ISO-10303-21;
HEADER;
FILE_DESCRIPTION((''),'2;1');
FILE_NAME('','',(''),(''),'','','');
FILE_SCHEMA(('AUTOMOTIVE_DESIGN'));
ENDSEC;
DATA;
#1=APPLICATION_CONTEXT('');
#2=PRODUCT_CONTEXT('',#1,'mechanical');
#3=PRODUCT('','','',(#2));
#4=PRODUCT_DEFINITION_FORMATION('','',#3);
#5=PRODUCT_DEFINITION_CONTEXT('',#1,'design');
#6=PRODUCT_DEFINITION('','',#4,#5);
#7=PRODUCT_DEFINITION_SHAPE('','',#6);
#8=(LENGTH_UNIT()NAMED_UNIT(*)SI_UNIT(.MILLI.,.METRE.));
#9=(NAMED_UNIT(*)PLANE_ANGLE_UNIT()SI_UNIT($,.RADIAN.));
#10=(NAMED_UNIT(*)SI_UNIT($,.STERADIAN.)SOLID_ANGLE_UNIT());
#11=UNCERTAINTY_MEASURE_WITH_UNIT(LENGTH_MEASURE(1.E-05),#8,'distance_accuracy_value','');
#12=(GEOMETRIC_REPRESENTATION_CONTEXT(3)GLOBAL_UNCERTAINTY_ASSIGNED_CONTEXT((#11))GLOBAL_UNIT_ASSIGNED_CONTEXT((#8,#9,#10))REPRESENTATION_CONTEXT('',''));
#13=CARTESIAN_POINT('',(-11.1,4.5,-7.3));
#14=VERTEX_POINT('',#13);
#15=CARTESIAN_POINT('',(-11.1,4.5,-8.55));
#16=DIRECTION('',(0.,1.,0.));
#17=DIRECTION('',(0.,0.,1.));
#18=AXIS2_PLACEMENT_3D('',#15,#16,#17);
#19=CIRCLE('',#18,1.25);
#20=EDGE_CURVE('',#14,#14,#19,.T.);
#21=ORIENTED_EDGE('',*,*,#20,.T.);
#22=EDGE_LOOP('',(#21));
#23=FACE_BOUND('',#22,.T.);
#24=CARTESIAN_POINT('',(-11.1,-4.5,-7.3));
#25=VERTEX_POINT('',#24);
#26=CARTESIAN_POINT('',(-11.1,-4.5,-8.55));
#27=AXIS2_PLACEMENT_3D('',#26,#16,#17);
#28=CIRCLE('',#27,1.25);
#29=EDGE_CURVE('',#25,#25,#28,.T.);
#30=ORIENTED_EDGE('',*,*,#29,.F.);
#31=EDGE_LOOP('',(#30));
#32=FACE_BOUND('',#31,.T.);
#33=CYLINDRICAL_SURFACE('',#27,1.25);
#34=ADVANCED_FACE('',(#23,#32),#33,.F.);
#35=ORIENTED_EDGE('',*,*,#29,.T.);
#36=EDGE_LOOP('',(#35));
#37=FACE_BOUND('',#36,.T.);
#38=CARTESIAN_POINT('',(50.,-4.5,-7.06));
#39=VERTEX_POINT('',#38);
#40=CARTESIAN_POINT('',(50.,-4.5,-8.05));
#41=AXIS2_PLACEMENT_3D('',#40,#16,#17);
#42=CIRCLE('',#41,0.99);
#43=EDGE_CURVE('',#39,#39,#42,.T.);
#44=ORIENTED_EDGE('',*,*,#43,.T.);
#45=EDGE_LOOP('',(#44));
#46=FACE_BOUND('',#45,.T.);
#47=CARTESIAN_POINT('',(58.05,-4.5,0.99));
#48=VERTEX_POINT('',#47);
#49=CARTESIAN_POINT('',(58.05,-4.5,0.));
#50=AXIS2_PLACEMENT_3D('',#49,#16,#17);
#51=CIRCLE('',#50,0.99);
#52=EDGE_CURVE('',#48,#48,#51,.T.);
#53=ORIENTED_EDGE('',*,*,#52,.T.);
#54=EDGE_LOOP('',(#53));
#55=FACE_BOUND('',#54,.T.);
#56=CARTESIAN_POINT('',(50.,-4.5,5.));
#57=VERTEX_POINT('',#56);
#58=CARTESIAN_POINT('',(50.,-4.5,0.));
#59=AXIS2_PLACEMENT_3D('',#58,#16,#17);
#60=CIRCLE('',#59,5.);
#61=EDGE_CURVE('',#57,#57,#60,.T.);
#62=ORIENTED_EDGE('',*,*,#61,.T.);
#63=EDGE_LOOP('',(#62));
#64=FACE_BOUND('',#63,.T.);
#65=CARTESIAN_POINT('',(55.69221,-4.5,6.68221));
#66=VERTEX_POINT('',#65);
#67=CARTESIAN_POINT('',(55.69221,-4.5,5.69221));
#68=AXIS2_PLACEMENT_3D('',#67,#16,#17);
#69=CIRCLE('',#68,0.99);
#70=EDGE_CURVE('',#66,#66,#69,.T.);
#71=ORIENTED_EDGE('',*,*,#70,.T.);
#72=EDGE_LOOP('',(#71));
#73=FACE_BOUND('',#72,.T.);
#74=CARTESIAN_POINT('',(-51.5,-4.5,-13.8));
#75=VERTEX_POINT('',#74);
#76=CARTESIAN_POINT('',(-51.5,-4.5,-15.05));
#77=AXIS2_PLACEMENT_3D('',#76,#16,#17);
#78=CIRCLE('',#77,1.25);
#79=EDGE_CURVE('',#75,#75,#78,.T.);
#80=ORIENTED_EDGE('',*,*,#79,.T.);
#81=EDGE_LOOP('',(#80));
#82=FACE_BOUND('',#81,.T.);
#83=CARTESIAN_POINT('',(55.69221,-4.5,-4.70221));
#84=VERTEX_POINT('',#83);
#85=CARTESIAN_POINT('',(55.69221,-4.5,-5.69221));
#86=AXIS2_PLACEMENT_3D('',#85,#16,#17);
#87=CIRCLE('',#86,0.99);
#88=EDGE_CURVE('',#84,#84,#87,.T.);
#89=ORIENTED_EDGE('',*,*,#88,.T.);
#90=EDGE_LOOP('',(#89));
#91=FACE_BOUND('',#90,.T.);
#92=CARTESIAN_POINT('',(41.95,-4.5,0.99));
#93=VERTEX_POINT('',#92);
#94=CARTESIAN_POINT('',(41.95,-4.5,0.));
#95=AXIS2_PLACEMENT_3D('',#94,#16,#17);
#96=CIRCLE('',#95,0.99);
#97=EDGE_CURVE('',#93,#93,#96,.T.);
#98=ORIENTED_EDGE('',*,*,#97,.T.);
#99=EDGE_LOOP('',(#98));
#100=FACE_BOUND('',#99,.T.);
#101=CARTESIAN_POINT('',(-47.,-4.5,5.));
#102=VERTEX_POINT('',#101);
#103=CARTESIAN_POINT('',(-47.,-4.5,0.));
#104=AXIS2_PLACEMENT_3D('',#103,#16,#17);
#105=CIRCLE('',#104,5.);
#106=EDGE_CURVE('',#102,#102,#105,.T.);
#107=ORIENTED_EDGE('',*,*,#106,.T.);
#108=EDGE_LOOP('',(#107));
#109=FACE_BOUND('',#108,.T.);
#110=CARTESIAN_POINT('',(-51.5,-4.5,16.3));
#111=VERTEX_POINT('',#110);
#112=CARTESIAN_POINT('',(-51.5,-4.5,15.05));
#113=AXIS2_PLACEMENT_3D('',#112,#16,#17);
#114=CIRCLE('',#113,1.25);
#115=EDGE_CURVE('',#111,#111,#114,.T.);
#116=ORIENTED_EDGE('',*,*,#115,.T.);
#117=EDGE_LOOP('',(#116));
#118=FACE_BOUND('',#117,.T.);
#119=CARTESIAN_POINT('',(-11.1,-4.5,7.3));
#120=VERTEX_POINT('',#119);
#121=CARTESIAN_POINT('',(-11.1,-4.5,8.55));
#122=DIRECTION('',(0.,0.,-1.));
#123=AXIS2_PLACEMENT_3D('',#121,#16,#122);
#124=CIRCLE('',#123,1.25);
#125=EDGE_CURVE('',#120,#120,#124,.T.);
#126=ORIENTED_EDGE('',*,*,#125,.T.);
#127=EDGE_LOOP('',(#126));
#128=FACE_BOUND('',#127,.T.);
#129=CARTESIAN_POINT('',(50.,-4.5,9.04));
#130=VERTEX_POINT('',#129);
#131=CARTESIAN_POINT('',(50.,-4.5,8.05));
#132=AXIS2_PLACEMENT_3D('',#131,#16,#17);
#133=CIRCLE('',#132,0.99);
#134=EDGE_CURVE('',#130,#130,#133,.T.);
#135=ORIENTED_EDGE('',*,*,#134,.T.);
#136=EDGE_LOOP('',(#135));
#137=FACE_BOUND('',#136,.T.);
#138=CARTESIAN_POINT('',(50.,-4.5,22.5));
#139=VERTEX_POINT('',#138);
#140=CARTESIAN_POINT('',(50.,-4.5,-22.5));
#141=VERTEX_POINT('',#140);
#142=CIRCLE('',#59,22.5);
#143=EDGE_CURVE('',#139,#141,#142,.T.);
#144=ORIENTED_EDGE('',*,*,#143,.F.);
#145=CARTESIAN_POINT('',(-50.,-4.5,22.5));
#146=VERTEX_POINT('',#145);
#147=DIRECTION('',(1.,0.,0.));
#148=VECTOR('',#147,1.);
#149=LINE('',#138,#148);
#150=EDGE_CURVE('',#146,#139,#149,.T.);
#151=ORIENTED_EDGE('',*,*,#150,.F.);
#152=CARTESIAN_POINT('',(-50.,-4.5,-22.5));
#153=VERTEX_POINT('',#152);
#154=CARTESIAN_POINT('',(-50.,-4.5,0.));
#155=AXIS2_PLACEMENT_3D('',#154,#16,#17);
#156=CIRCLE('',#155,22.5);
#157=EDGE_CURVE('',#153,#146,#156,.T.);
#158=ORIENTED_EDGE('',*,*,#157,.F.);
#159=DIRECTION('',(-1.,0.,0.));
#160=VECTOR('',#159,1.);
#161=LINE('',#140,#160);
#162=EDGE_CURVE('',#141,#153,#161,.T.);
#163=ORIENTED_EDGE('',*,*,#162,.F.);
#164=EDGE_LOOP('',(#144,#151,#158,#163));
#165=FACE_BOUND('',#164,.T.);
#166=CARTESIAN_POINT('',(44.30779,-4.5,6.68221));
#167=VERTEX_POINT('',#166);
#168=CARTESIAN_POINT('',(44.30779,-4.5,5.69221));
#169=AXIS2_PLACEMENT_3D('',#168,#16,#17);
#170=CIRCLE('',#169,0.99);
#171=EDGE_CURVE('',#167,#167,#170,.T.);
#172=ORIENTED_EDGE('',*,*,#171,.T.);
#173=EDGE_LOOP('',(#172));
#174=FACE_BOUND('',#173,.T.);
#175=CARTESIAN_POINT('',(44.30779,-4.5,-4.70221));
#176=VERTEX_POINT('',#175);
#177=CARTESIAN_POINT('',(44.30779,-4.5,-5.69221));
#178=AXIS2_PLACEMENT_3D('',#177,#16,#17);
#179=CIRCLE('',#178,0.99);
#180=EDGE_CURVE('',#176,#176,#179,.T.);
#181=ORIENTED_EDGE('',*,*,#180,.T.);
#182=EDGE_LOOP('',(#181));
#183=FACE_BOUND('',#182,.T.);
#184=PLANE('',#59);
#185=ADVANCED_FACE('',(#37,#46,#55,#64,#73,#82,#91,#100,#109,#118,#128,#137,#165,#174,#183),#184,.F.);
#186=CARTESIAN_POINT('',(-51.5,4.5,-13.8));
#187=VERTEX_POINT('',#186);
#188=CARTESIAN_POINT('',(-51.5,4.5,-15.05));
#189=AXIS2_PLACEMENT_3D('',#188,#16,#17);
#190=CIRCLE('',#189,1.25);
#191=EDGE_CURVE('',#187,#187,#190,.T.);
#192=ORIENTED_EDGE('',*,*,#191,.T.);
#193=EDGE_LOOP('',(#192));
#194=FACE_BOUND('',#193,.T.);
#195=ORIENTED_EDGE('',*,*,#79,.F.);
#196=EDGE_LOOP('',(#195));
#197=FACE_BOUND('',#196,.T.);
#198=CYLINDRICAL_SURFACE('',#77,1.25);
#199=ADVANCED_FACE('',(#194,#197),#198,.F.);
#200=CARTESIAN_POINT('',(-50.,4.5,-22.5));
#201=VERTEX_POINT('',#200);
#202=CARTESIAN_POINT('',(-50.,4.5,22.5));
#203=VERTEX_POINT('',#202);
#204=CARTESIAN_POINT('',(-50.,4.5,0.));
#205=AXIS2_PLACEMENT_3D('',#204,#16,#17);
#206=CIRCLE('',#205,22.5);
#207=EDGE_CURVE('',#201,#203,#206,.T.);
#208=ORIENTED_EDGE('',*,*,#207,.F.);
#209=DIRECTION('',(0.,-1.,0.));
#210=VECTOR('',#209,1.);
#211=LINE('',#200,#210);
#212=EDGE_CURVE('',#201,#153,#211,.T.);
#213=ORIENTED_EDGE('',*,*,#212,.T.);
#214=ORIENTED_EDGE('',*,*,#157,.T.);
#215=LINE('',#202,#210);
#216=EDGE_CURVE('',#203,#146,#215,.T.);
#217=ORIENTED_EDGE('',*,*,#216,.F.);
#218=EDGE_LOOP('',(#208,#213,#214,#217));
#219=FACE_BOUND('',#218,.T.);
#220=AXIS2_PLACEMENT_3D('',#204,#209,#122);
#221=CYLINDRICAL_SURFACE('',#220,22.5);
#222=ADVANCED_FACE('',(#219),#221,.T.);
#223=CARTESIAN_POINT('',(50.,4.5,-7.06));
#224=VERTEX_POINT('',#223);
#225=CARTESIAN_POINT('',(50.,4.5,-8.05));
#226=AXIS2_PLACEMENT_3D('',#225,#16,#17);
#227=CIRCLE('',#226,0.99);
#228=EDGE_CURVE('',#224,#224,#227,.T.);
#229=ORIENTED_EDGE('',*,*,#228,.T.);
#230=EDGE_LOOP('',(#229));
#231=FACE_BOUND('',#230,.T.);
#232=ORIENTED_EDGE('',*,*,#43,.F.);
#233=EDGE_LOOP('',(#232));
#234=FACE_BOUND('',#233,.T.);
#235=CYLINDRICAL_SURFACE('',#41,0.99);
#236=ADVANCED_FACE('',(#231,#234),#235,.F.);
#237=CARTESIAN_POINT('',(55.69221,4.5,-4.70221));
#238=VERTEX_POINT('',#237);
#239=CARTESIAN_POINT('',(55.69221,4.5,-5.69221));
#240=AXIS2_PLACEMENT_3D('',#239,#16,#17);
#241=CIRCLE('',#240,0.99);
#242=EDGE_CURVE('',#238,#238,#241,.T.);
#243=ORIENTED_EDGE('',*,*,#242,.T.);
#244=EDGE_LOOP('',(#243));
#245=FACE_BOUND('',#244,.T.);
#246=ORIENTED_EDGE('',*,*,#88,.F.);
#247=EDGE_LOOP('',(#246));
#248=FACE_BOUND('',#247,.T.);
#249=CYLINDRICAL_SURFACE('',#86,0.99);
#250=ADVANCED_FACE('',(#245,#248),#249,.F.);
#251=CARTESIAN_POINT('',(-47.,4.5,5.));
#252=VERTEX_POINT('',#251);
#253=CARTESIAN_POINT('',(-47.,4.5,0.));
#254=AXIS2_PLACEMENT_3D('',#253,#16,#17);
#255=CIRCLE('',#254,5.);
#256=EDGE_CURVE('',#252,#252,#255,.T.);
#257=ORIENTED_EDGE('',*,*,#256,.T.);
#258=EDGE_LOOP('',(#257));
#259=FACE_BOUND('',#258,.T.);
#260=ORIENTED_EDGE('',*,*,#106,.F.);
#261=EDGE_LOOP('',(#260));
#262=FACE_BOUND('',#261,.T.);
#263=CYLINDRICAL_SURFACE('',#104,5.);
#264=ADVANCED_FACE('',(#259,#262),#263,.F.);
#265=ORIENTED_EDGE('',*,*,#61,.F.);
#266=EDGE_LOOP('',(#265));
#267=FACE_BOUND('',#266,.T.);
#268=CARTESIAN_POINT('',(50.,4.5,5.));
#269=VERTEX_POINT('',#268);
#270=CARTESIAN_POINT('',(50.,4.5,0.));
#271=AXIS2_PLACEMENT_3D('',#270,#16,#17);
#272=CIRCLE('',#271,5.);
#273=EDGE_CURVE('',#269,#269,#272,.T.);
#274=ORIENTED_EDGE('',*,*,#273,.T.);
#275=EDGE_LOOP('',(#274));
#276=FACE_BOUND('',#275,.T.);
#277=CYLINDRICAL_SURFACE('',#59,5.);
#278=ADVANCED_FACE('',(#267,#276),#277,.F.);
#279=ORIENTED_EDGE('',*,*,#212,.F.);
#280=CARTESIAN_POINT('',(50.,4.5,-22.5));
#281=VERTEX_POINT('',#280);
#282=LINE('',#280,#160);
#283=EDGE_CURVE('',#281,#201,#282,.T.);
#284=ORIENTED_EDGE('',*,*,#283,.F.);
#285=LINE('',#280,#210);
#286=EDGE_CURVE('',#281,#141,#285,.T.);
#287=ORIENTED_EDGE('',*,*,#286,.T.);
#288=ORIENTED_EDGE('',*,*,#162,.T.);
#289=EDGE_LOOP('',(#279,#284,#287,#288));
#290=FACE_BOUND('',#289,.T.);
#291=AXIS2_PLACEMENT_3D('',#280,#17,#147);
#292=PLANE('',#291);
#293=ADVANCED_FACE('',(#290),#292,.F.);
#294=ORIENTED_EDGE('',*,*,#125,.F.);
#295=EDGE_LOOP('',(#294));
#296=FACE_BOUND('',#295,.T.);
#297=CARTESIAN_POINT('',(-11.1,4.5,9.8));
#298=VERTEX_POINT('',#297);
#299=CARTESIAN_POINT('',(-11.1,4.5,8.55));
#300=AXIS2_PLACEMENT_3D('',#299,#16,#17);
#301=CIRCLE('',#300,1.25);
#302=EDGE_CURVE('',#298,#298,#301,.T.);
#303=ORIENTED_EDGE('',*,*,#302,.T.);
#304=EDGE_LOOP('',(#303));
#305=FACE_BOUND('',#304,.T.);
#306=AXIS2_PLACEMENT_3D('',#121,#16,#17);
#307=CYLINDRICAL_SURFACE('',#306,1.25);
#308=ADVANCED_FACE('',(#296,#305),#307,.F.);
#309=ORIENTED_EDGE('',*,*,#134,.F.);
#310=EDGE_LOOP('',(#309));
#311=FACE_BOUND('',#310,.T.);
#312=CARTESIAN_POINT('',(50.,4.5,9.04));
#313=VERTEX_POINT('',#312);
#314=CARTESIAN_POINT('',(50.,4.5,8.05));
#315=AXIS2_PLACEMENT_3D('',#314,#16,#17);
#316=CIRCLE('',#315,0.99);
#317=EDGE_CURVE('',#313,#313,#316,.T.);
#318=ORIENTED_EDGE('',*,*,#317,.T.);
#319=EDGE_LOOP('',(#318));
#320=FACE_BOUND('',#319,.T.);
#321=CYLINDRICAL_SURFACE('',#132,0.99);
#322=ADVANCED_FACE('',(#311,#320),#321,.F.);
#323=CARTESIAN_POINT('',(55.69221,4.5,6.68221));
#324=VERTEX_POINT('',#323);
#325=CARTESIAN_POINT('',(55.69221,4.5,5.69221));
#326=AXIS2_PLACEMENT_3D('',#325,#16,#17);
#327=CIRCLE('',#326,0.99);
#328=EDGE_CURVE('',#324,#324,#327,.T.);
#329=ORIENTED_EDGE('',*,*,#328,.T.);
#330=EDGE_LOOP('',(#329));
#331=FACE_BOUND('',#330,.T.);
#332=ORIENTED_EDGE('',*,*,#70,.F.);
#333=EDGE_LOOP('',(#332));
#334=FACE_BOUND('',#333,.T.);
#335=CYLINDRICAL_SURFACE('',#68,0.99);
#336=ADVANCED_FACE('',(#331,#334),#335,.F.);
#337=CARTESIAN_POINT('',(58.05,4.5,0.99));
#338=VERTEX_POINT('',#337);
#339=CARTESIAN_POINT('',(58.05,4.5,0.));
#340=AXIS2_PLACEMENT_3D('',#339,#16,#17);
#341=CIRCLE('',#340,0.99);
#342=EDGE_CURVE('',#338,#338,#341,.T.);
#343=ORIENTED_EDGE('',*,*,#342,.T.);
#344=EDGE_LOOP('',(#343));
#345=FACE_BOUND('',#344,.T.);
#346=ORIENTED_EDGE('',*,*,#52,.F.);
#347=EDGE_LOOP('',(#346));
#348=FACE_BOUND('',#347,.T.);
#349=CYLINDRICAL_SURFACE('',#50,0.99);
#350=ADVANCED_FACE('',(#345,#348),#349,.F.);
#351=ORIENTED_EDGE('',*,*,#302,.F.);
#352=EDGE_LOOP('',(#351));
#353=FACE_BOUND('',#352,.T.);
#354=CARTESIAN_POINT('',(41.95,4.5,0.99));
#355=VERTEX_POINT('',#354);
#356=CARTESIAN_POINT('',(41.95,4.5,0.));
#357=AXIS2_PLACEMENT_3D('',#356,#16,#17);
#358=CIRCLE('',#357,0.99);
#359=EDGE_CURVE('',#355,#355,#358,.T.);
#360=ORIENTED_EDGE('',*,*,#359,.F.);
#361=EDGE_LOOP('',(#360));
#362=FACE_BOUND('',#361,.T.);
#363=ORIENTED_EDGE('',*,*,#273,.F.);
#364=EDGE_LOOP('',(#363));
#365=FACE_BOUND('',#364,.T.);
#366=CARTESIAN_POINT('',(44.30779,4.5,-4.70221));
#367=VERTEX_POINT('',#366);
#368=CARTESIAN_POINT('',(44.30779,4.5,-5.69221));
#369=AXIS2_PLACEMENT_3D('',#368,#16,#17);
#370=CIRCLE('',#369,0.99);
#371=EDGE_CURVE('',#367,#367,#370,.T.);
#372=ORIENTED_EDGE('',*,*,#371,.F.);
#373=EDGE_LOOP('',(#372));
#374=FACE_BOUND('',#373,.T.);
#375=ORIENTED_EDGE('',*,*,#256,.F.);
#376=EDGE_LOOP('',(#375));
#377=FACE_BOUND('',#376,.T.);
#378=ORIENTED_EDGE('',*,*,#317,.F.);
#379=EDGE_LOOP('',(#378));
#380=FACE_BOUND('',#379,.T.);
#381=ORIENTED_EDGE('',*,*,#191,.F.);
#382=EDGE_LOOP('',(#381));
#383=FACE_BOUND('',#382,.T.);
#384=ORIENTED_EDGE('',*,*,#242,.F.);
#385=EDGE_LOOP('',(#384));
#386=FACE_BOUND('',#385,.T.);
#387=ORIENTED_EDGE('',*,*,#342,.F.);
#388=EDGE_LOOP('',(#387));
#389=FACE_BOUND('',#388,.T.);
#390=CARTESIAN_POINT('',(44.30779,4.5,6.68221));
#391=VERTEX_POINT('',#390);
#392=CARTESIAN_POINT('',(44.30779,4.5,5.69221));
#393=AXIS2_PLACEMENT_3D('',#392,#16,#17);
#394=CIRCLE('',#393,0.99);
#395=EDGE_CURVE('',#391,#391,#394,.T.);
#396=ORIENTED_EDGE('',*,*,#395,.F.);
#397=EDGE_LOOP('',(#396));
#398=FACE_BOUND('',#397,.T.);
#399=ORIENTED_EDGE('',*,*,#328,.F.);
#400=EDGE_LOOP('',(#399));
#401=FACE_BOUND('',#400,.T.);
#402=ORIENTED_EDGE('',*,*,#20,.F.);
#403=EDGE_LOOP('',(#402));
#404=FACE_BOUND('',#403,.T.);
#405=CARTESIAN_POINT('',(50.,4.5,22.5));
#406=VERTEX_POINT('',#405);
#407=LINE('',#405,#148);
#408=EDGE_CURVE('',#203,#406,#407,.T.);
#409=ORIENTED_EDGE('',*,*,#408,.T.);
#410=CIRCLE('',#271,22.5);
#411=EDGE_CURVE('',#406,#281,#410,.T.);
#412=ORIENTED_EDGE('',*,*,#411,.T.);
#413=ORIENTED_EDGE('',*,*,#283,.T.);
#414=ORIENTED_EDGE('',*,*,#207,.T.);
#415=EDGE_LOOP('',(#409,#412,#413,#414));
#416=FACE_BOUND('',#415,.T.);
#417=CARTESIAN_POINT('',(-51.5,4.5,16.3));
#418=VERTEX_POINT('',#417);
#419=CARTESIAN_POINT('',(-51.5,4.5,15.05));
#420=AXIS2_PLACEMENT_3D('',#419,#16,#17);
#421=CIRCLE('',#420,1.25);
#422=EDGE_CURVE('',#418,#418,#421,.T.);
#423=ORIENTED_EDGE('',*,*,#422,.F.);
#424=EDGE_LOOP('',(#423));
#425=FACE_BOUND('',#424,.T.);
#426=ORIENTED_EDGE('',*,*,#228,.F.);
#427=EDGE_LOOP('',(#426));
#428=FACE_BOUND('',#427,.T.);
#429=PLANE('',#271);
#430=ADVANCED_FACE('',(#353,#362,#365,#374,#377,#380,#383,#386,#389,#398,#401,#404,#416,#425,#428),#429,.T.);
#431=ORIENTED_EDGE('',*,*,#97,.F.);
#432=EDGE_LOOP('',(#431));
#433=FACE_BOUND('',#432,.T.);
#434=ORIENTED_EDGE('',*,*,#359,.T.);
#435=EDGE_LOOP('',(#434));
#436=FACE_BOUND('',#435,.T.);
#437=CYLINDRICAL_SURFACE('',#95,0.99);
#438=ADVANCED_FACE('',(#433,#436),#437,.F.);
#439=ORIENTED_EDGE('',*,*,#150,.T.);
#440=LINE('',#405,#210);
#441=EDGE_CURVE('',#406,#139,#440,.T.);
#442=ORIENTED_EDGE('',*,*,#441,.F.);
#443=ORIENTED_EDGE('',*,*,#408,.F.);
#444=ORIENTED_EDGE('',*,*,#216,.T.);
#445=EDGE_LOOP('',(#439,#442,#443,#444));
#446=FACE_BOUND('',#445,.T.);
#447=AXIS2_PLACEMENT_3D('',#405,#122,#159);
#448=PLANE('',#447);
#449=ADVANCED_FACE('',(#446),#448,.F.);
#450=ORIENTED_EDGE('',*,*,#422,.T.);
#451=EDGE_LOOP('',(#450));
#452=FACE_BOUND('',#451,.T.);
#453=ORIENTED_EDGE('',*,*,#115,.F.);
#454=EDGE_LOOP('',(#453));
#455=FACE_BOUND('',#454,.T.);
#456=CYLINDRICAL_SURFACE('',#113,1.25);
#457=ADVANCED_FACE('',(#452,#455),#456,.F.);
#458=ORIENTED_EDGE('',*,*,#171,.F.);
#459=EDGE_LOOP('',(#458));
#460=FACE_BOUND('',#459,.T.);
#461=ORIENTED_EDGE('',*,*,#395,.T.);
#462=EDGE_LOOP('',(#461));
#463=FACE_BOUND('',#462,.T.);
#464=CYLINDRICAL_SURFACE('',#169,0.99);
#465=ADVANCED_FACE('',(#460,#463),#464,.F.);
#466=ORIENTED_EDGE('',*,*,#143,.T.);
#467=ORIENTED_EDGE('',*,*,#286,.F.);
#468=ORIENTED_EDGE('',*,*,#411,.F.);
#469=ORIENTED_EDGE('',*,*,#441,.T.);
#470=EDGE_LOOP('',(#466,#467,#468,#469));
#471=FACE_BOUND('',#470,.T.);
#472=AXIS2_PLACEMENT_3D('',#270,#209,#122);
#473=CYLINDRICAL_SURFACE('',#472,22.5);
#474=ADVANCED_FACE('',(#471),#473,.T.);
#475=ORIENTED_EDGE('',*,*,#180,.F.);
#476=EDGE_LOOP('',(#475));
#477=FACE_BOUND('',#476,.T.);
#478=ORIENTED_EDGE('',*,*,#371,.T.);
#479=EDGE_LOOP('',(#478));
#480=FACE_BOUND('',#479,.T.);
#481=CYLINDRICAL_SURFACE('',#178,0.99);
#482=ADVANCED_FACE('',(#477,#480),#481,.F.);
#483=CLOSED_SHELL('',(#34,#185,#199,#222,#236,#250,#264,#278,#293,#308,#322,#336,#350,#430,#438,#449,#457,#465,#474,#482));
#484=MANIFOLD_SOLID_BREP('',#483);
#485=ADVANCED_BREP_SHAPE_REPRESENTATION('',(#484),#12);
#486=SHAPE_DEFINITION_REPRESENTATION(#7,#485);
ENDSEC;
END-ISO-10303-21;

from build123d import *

# Parameters (mm, degrees)
BOSS_EXTRUDE1_DEPTH     = 4.5
CUT_EXTRUDE1_DEPTH      = 77.442789065
CUT_EXTRUDE1_DEPTH_BACK = 77.442789065
SKETCH3_R               = 0.99
SKETCH4_R               = 5
CUT_EXTRUDE2_DEPTH      = 77.442789065
CUT_EXTRUDE3_DEPTH      = 77.442789065
CUT_EXTRUDE3_DEPTH_BACK = 77.442789065
SKETCH5_R               = 1.25
SKETCH5_R_2             = 5


with BuildPart() as part:
    # Sketch2 → Boss-Extrude1 (new, symmetric)
    with BuildSketch(Plane(origin=(0, 0, 0), x_dir=(1, 0, 0), z_dir=(0, 1, 0))):
        with BuildLine():
            Line((50, -22.5), (-50, -22.5))
            ThreePointArc((-50, -22.5), (-72.5, 0), (-50, 22.5))
            Line((-50, 22.5), (50, 22.5))
            ThreePointArc((50, 22.5), (72.5, 0), (50, -22.5))
        make_face()
    extrude(amount=BOSS_EXTRUDE1_DEPTH, both=True)

    # Sketch3 → Cut-Extrude1 (cut, two sides: drawn at the far end of the back side and taken through both)
    with BuildSketch(Plane(origin=(0, 4.5, 0), x_dir=(1, 0, 0), z_dir=(0, 1, 0)).offset(-CUT_EXTRUDE1_DEPTH_BACK)):
        with Locations(Location((41.95, 0, 0), (0, 0, 270))):
            Circle(SKETCH3_R)
        with Locations(Location((44.307790411, 5.692209589, 0), (0, 0, 270))):
            Circle(SKETCH3_R)
        with Locations(Location((50, 8.05, 0), (0, 0, 270))):
            Circle(SKETCH3_R)
        with Locations(Location((55.692209589, 5.692209589, 0), (0, 0, 270))):
            Circle(SKETCH3_R)
        with Locations(Location((58.05, 0, 0), (0, 0, 270))):
            Circle(SKETCH3_R)
        with Locations(Location((55.692209589, -5.692209589, 0), (0, 0, 270))):
            Circle(SKETCH3_R)
        with Locations(Location((50, -8.05, 0), (0, 0, 270))):
            Circle(SKETCH3_R)
        with Locations(Location((44.307790411, -5.692209589, 0), (0, 0, 270))):
            Circle(SKETCH3_R)
    extrude(amount=CUT_EXTRUDE1_DEPTH + CUT_EXTRUDE1_DEPTH_BACK, mode=Mode.SUBTRACT)

    # Sketch4 → Cut-Extrude2 (cut, through all)
    with BuildSketch(Plane(origin=(0, 4.5, 0), x_dir=(1, 0, 0), z_dir=(0, 1, 0))):
        with Locations(Location((50, 0, 0), (0, 0, 270))):
            Circle(SKETCH4_R)
    extrude(amount=-CUT_EXTRUDE2_DEPTH, mode=Mode.SUBTRACT)

    # Sketch5 → Cut-Extrude3 (cut, two sides: drawn at the far end of the back side and taken through both)
    with BuildSketch(Plane(origin=(0, 4.5, 0), x_dir=(1, 0, 0), z_dir=(0, 1, 0)).offset(-CUT_EXTRUDE3_DEPTH_BACK)):
        with Locations(Location((-51.5, -15.05, 0), (0, 0, 270))):
            Circle(SKETCH5_R)
        with Locations(Location((-51.5, 15.05, 0), (0, 0, 270))):
            Circle(SKETCH5_R)
        with Locations(Location((-11.1, 8.55, 0), (0, 0, 270))):
            Circle(SKETCH5_R)
        with Locations(Location((-11.1, -8.55, 0), (0, 0, 270))):
            Circle(SKETCH5_R)
        with Locations(Location((-47, 0, 0), (0, 0, 270))):
            Circle(SKETCH5_R_2)
    extrude(amount=CUT_EXTRUDE3_DEPTH + CUT_EXTRUDE3_DEPTH_BACK, mode=Mode.SUBTRACT)


solid = part.part
